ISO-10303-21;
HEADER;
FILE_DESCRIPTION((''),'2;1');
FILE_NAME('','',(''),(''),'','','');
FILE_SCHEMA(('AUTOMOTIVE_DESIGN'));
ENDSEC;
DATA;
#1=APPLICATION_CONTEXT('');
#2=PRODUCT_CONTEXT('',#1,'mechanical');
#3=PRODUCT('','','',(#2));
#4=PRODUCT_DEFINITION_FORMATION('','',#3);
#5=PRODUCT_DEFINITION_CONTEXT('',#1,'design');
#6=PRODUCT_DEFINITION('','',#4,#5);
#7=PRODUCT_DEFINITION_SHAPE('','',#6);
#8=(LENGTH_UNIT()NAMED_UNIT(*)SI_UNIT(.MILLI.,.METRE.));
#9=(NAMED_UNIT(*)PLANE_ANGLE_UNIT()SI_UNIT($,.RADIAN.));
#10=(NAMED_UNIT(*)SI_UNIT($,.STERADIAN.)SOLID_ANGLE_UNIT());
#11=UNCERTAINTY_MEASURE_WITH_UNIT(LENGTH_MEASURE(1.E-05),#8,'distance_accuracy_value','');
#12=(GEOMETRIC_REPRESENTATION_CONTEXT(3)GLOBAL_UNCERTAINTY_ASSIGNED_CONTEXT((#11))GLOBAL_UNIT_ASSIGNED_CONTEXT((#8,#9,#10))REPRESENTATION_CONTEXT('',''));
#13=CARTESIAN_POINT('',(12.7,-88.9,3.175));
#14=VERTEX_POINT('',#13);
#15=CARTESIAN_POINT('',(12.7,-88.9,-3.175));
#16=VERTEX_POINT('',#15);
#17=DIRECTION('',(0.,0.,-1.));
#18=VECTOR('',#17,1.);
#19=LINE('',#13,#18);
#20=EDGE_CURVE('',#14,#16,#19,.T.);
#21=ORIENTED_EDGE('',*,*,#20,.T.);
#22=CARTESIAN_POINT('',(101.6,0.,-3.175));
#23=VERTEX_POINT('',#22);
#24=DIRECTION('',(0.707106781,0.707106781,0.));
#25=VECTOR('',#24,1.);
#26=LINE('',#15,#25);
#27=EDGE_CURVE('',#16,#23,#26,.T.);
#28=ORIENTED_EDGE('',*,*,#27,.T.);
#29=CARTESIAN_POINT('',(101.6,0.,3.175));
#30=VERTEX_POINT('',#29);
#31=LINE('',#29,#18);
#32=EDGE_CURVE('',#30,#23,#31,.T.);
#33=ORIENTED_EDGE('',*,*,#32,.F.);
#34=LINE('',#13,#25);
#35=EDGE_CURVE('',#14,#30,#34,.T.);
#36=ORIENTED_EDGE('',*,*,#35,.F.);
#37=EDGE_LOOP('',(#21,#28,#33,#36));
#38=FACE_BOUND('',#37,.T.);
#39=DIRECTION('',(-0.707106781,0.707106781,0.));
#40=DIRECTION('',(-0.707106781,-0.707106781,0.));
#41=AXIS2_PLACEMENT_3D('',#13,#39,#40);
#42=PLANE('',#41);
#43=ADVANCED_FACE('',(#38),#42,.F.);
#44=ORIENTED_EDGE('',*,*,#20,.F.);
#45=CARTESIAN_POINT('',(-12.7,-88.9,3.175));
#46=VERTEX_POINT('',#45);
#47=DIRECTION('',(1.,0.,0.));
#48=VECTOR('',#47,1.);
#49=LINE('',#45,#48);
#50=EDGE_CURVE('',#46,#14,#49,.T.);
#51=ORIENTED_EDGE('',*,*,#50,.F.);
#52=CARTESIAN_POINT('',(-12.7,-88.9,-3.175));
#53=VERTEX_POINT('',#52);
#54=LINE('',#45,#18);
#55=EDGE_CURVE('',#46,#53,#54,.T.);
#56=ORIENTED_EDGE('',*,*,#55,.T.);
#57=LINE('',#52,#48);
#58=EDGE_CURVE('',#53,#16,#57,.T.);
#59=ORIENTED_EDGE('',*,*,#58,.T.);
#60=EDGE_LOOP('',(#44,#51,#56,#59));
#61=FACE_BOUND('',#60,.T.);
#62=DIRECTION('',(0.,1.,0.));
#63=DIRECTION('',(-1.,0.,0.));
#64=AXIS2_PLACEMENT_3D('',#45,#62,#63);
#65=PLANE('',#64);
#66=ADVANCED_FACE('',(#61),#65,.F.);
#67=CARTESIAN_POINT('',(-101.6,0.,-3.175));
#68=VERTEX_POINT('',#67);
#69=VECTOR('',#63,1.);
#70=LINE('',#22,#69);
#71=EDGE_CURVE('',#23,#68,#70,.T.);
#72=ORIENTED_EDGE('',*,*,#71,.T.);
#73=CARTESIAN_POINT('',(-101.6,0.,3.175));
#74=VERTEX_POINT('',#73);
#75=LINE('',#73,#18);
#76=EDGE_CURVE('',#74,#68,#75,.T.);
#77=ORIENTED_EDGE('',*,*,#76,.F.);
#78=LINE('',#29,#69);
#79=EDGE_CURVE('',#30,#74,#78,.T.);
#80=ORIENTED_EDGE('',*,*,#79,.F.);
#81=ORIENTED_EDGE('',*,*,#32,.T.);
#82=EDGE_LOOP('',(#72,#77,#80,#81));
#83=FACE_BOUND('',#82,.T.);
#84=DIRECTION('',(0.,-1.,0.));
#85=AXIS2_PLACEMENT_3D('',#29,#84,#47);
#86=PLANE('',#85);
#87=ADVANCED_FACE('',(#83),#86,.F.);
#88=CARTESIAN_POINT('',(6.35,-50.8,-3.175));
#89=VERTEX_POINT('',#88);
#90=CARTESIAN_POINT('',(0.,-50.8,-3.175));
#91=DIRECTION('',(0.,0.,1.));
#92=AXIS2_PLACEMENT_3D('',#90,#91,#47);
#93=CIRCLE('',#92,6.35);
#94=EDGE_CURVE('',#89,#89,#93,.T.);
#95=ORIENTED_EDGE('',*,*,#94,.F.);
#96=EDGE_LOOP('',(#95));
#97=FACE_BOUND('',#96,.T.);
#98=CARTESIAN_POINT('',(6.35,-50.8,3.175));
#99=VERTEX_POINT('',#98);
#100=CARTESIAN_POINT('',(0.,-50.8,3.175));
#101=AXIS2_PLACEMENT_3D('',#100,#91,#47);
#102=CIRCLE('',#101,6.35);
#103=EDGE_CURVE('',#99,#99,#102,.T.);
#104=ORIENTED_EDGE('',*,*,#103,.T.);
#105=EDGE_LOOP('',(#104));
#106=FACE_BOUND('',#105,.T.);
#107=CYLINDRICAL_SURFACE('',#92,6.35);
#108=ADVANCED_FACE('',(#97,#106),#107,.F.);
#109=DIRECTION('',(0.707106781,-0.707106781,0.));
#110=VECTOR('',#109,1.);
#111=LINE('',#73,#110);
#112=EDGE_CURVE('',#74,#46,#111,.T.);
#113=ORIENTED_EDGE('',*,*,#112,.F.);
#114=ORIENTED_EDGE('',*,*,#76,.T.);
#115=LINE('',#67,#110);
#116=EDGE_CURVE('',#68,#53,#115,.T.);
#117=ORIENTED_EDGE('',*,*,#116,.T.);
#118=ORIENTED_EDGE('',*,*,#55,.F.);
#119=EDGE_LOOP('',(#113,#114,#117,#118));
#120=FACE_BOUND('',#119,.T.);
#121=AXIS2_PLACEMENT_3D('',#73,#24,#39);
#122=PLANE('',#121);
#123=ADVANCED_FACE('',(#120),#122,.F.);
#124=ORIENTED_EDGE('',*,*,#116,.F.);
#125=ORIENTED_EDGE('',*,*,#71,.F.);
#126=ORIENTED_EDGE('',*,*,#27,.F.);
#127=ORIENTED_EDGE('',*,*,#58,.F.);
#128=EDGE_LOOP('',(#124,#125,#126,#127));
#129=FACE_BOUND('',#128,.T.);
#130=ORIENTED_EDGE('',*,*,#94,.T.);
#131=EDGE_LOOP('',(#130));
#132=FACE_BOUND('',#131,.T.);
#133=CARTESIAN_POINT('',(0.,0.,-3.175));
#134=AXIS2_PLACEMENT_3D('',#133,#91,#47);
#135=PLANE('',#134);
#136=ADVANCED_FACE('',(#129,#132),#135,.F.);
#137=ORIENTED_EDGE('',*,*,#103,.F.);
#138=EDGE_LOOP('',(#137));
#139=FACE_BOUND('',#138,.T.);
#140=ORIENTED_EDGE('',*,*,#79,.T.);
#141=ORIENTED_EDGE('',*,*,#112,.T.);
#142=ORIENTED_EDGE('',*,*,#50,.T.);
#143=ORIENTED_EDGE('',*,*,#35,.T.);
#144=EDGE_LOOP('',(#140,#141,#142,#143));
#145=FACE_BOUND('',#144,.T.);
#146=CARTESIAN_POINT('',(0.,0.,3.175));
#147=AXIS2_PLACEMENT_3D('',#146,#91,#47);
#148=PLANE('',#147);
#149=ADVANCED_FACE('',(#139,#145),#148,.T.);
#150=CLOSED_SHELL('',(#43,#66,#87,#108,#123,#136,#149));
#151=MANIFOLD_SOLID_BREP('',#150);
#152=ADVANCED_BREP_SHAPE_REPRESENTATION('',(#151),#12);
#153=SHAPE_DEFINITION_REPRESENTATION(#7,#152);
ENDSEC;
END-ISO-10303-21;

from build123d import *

# Parameters (mm, degrees)
BOSS_EXTRUDE1_DEPTH = 3.175
SKETCH2_R           = 6.35
CUT_EXTRUDE1_DEPTH  = 136.152108752


with BuildPart() as part:
    # Sketch1 → Boss-Extrude1 (new, symmetric)
    with BuildSketch(Plane.XY):
        Polygon((-101.6, 0), (-12.7, -88.9), (12.7, -88.9), (101.6, 0), align=None)
    extrude(amount=BOSS_EXTRUDE1_DEPTH, both=True)

    # Sketch2 → Cut-Extrude1 (cut, through all)
    with BuildSketch(Plane.XY.offset(3.175)):
        with Locations((0, -50.8)):
            Circle(SKETCH2_R)
    extrude(amount=-CUT_EXTRUDE1_DEPTH, mode=Mode.SUBTRACT)


solid = part.part
